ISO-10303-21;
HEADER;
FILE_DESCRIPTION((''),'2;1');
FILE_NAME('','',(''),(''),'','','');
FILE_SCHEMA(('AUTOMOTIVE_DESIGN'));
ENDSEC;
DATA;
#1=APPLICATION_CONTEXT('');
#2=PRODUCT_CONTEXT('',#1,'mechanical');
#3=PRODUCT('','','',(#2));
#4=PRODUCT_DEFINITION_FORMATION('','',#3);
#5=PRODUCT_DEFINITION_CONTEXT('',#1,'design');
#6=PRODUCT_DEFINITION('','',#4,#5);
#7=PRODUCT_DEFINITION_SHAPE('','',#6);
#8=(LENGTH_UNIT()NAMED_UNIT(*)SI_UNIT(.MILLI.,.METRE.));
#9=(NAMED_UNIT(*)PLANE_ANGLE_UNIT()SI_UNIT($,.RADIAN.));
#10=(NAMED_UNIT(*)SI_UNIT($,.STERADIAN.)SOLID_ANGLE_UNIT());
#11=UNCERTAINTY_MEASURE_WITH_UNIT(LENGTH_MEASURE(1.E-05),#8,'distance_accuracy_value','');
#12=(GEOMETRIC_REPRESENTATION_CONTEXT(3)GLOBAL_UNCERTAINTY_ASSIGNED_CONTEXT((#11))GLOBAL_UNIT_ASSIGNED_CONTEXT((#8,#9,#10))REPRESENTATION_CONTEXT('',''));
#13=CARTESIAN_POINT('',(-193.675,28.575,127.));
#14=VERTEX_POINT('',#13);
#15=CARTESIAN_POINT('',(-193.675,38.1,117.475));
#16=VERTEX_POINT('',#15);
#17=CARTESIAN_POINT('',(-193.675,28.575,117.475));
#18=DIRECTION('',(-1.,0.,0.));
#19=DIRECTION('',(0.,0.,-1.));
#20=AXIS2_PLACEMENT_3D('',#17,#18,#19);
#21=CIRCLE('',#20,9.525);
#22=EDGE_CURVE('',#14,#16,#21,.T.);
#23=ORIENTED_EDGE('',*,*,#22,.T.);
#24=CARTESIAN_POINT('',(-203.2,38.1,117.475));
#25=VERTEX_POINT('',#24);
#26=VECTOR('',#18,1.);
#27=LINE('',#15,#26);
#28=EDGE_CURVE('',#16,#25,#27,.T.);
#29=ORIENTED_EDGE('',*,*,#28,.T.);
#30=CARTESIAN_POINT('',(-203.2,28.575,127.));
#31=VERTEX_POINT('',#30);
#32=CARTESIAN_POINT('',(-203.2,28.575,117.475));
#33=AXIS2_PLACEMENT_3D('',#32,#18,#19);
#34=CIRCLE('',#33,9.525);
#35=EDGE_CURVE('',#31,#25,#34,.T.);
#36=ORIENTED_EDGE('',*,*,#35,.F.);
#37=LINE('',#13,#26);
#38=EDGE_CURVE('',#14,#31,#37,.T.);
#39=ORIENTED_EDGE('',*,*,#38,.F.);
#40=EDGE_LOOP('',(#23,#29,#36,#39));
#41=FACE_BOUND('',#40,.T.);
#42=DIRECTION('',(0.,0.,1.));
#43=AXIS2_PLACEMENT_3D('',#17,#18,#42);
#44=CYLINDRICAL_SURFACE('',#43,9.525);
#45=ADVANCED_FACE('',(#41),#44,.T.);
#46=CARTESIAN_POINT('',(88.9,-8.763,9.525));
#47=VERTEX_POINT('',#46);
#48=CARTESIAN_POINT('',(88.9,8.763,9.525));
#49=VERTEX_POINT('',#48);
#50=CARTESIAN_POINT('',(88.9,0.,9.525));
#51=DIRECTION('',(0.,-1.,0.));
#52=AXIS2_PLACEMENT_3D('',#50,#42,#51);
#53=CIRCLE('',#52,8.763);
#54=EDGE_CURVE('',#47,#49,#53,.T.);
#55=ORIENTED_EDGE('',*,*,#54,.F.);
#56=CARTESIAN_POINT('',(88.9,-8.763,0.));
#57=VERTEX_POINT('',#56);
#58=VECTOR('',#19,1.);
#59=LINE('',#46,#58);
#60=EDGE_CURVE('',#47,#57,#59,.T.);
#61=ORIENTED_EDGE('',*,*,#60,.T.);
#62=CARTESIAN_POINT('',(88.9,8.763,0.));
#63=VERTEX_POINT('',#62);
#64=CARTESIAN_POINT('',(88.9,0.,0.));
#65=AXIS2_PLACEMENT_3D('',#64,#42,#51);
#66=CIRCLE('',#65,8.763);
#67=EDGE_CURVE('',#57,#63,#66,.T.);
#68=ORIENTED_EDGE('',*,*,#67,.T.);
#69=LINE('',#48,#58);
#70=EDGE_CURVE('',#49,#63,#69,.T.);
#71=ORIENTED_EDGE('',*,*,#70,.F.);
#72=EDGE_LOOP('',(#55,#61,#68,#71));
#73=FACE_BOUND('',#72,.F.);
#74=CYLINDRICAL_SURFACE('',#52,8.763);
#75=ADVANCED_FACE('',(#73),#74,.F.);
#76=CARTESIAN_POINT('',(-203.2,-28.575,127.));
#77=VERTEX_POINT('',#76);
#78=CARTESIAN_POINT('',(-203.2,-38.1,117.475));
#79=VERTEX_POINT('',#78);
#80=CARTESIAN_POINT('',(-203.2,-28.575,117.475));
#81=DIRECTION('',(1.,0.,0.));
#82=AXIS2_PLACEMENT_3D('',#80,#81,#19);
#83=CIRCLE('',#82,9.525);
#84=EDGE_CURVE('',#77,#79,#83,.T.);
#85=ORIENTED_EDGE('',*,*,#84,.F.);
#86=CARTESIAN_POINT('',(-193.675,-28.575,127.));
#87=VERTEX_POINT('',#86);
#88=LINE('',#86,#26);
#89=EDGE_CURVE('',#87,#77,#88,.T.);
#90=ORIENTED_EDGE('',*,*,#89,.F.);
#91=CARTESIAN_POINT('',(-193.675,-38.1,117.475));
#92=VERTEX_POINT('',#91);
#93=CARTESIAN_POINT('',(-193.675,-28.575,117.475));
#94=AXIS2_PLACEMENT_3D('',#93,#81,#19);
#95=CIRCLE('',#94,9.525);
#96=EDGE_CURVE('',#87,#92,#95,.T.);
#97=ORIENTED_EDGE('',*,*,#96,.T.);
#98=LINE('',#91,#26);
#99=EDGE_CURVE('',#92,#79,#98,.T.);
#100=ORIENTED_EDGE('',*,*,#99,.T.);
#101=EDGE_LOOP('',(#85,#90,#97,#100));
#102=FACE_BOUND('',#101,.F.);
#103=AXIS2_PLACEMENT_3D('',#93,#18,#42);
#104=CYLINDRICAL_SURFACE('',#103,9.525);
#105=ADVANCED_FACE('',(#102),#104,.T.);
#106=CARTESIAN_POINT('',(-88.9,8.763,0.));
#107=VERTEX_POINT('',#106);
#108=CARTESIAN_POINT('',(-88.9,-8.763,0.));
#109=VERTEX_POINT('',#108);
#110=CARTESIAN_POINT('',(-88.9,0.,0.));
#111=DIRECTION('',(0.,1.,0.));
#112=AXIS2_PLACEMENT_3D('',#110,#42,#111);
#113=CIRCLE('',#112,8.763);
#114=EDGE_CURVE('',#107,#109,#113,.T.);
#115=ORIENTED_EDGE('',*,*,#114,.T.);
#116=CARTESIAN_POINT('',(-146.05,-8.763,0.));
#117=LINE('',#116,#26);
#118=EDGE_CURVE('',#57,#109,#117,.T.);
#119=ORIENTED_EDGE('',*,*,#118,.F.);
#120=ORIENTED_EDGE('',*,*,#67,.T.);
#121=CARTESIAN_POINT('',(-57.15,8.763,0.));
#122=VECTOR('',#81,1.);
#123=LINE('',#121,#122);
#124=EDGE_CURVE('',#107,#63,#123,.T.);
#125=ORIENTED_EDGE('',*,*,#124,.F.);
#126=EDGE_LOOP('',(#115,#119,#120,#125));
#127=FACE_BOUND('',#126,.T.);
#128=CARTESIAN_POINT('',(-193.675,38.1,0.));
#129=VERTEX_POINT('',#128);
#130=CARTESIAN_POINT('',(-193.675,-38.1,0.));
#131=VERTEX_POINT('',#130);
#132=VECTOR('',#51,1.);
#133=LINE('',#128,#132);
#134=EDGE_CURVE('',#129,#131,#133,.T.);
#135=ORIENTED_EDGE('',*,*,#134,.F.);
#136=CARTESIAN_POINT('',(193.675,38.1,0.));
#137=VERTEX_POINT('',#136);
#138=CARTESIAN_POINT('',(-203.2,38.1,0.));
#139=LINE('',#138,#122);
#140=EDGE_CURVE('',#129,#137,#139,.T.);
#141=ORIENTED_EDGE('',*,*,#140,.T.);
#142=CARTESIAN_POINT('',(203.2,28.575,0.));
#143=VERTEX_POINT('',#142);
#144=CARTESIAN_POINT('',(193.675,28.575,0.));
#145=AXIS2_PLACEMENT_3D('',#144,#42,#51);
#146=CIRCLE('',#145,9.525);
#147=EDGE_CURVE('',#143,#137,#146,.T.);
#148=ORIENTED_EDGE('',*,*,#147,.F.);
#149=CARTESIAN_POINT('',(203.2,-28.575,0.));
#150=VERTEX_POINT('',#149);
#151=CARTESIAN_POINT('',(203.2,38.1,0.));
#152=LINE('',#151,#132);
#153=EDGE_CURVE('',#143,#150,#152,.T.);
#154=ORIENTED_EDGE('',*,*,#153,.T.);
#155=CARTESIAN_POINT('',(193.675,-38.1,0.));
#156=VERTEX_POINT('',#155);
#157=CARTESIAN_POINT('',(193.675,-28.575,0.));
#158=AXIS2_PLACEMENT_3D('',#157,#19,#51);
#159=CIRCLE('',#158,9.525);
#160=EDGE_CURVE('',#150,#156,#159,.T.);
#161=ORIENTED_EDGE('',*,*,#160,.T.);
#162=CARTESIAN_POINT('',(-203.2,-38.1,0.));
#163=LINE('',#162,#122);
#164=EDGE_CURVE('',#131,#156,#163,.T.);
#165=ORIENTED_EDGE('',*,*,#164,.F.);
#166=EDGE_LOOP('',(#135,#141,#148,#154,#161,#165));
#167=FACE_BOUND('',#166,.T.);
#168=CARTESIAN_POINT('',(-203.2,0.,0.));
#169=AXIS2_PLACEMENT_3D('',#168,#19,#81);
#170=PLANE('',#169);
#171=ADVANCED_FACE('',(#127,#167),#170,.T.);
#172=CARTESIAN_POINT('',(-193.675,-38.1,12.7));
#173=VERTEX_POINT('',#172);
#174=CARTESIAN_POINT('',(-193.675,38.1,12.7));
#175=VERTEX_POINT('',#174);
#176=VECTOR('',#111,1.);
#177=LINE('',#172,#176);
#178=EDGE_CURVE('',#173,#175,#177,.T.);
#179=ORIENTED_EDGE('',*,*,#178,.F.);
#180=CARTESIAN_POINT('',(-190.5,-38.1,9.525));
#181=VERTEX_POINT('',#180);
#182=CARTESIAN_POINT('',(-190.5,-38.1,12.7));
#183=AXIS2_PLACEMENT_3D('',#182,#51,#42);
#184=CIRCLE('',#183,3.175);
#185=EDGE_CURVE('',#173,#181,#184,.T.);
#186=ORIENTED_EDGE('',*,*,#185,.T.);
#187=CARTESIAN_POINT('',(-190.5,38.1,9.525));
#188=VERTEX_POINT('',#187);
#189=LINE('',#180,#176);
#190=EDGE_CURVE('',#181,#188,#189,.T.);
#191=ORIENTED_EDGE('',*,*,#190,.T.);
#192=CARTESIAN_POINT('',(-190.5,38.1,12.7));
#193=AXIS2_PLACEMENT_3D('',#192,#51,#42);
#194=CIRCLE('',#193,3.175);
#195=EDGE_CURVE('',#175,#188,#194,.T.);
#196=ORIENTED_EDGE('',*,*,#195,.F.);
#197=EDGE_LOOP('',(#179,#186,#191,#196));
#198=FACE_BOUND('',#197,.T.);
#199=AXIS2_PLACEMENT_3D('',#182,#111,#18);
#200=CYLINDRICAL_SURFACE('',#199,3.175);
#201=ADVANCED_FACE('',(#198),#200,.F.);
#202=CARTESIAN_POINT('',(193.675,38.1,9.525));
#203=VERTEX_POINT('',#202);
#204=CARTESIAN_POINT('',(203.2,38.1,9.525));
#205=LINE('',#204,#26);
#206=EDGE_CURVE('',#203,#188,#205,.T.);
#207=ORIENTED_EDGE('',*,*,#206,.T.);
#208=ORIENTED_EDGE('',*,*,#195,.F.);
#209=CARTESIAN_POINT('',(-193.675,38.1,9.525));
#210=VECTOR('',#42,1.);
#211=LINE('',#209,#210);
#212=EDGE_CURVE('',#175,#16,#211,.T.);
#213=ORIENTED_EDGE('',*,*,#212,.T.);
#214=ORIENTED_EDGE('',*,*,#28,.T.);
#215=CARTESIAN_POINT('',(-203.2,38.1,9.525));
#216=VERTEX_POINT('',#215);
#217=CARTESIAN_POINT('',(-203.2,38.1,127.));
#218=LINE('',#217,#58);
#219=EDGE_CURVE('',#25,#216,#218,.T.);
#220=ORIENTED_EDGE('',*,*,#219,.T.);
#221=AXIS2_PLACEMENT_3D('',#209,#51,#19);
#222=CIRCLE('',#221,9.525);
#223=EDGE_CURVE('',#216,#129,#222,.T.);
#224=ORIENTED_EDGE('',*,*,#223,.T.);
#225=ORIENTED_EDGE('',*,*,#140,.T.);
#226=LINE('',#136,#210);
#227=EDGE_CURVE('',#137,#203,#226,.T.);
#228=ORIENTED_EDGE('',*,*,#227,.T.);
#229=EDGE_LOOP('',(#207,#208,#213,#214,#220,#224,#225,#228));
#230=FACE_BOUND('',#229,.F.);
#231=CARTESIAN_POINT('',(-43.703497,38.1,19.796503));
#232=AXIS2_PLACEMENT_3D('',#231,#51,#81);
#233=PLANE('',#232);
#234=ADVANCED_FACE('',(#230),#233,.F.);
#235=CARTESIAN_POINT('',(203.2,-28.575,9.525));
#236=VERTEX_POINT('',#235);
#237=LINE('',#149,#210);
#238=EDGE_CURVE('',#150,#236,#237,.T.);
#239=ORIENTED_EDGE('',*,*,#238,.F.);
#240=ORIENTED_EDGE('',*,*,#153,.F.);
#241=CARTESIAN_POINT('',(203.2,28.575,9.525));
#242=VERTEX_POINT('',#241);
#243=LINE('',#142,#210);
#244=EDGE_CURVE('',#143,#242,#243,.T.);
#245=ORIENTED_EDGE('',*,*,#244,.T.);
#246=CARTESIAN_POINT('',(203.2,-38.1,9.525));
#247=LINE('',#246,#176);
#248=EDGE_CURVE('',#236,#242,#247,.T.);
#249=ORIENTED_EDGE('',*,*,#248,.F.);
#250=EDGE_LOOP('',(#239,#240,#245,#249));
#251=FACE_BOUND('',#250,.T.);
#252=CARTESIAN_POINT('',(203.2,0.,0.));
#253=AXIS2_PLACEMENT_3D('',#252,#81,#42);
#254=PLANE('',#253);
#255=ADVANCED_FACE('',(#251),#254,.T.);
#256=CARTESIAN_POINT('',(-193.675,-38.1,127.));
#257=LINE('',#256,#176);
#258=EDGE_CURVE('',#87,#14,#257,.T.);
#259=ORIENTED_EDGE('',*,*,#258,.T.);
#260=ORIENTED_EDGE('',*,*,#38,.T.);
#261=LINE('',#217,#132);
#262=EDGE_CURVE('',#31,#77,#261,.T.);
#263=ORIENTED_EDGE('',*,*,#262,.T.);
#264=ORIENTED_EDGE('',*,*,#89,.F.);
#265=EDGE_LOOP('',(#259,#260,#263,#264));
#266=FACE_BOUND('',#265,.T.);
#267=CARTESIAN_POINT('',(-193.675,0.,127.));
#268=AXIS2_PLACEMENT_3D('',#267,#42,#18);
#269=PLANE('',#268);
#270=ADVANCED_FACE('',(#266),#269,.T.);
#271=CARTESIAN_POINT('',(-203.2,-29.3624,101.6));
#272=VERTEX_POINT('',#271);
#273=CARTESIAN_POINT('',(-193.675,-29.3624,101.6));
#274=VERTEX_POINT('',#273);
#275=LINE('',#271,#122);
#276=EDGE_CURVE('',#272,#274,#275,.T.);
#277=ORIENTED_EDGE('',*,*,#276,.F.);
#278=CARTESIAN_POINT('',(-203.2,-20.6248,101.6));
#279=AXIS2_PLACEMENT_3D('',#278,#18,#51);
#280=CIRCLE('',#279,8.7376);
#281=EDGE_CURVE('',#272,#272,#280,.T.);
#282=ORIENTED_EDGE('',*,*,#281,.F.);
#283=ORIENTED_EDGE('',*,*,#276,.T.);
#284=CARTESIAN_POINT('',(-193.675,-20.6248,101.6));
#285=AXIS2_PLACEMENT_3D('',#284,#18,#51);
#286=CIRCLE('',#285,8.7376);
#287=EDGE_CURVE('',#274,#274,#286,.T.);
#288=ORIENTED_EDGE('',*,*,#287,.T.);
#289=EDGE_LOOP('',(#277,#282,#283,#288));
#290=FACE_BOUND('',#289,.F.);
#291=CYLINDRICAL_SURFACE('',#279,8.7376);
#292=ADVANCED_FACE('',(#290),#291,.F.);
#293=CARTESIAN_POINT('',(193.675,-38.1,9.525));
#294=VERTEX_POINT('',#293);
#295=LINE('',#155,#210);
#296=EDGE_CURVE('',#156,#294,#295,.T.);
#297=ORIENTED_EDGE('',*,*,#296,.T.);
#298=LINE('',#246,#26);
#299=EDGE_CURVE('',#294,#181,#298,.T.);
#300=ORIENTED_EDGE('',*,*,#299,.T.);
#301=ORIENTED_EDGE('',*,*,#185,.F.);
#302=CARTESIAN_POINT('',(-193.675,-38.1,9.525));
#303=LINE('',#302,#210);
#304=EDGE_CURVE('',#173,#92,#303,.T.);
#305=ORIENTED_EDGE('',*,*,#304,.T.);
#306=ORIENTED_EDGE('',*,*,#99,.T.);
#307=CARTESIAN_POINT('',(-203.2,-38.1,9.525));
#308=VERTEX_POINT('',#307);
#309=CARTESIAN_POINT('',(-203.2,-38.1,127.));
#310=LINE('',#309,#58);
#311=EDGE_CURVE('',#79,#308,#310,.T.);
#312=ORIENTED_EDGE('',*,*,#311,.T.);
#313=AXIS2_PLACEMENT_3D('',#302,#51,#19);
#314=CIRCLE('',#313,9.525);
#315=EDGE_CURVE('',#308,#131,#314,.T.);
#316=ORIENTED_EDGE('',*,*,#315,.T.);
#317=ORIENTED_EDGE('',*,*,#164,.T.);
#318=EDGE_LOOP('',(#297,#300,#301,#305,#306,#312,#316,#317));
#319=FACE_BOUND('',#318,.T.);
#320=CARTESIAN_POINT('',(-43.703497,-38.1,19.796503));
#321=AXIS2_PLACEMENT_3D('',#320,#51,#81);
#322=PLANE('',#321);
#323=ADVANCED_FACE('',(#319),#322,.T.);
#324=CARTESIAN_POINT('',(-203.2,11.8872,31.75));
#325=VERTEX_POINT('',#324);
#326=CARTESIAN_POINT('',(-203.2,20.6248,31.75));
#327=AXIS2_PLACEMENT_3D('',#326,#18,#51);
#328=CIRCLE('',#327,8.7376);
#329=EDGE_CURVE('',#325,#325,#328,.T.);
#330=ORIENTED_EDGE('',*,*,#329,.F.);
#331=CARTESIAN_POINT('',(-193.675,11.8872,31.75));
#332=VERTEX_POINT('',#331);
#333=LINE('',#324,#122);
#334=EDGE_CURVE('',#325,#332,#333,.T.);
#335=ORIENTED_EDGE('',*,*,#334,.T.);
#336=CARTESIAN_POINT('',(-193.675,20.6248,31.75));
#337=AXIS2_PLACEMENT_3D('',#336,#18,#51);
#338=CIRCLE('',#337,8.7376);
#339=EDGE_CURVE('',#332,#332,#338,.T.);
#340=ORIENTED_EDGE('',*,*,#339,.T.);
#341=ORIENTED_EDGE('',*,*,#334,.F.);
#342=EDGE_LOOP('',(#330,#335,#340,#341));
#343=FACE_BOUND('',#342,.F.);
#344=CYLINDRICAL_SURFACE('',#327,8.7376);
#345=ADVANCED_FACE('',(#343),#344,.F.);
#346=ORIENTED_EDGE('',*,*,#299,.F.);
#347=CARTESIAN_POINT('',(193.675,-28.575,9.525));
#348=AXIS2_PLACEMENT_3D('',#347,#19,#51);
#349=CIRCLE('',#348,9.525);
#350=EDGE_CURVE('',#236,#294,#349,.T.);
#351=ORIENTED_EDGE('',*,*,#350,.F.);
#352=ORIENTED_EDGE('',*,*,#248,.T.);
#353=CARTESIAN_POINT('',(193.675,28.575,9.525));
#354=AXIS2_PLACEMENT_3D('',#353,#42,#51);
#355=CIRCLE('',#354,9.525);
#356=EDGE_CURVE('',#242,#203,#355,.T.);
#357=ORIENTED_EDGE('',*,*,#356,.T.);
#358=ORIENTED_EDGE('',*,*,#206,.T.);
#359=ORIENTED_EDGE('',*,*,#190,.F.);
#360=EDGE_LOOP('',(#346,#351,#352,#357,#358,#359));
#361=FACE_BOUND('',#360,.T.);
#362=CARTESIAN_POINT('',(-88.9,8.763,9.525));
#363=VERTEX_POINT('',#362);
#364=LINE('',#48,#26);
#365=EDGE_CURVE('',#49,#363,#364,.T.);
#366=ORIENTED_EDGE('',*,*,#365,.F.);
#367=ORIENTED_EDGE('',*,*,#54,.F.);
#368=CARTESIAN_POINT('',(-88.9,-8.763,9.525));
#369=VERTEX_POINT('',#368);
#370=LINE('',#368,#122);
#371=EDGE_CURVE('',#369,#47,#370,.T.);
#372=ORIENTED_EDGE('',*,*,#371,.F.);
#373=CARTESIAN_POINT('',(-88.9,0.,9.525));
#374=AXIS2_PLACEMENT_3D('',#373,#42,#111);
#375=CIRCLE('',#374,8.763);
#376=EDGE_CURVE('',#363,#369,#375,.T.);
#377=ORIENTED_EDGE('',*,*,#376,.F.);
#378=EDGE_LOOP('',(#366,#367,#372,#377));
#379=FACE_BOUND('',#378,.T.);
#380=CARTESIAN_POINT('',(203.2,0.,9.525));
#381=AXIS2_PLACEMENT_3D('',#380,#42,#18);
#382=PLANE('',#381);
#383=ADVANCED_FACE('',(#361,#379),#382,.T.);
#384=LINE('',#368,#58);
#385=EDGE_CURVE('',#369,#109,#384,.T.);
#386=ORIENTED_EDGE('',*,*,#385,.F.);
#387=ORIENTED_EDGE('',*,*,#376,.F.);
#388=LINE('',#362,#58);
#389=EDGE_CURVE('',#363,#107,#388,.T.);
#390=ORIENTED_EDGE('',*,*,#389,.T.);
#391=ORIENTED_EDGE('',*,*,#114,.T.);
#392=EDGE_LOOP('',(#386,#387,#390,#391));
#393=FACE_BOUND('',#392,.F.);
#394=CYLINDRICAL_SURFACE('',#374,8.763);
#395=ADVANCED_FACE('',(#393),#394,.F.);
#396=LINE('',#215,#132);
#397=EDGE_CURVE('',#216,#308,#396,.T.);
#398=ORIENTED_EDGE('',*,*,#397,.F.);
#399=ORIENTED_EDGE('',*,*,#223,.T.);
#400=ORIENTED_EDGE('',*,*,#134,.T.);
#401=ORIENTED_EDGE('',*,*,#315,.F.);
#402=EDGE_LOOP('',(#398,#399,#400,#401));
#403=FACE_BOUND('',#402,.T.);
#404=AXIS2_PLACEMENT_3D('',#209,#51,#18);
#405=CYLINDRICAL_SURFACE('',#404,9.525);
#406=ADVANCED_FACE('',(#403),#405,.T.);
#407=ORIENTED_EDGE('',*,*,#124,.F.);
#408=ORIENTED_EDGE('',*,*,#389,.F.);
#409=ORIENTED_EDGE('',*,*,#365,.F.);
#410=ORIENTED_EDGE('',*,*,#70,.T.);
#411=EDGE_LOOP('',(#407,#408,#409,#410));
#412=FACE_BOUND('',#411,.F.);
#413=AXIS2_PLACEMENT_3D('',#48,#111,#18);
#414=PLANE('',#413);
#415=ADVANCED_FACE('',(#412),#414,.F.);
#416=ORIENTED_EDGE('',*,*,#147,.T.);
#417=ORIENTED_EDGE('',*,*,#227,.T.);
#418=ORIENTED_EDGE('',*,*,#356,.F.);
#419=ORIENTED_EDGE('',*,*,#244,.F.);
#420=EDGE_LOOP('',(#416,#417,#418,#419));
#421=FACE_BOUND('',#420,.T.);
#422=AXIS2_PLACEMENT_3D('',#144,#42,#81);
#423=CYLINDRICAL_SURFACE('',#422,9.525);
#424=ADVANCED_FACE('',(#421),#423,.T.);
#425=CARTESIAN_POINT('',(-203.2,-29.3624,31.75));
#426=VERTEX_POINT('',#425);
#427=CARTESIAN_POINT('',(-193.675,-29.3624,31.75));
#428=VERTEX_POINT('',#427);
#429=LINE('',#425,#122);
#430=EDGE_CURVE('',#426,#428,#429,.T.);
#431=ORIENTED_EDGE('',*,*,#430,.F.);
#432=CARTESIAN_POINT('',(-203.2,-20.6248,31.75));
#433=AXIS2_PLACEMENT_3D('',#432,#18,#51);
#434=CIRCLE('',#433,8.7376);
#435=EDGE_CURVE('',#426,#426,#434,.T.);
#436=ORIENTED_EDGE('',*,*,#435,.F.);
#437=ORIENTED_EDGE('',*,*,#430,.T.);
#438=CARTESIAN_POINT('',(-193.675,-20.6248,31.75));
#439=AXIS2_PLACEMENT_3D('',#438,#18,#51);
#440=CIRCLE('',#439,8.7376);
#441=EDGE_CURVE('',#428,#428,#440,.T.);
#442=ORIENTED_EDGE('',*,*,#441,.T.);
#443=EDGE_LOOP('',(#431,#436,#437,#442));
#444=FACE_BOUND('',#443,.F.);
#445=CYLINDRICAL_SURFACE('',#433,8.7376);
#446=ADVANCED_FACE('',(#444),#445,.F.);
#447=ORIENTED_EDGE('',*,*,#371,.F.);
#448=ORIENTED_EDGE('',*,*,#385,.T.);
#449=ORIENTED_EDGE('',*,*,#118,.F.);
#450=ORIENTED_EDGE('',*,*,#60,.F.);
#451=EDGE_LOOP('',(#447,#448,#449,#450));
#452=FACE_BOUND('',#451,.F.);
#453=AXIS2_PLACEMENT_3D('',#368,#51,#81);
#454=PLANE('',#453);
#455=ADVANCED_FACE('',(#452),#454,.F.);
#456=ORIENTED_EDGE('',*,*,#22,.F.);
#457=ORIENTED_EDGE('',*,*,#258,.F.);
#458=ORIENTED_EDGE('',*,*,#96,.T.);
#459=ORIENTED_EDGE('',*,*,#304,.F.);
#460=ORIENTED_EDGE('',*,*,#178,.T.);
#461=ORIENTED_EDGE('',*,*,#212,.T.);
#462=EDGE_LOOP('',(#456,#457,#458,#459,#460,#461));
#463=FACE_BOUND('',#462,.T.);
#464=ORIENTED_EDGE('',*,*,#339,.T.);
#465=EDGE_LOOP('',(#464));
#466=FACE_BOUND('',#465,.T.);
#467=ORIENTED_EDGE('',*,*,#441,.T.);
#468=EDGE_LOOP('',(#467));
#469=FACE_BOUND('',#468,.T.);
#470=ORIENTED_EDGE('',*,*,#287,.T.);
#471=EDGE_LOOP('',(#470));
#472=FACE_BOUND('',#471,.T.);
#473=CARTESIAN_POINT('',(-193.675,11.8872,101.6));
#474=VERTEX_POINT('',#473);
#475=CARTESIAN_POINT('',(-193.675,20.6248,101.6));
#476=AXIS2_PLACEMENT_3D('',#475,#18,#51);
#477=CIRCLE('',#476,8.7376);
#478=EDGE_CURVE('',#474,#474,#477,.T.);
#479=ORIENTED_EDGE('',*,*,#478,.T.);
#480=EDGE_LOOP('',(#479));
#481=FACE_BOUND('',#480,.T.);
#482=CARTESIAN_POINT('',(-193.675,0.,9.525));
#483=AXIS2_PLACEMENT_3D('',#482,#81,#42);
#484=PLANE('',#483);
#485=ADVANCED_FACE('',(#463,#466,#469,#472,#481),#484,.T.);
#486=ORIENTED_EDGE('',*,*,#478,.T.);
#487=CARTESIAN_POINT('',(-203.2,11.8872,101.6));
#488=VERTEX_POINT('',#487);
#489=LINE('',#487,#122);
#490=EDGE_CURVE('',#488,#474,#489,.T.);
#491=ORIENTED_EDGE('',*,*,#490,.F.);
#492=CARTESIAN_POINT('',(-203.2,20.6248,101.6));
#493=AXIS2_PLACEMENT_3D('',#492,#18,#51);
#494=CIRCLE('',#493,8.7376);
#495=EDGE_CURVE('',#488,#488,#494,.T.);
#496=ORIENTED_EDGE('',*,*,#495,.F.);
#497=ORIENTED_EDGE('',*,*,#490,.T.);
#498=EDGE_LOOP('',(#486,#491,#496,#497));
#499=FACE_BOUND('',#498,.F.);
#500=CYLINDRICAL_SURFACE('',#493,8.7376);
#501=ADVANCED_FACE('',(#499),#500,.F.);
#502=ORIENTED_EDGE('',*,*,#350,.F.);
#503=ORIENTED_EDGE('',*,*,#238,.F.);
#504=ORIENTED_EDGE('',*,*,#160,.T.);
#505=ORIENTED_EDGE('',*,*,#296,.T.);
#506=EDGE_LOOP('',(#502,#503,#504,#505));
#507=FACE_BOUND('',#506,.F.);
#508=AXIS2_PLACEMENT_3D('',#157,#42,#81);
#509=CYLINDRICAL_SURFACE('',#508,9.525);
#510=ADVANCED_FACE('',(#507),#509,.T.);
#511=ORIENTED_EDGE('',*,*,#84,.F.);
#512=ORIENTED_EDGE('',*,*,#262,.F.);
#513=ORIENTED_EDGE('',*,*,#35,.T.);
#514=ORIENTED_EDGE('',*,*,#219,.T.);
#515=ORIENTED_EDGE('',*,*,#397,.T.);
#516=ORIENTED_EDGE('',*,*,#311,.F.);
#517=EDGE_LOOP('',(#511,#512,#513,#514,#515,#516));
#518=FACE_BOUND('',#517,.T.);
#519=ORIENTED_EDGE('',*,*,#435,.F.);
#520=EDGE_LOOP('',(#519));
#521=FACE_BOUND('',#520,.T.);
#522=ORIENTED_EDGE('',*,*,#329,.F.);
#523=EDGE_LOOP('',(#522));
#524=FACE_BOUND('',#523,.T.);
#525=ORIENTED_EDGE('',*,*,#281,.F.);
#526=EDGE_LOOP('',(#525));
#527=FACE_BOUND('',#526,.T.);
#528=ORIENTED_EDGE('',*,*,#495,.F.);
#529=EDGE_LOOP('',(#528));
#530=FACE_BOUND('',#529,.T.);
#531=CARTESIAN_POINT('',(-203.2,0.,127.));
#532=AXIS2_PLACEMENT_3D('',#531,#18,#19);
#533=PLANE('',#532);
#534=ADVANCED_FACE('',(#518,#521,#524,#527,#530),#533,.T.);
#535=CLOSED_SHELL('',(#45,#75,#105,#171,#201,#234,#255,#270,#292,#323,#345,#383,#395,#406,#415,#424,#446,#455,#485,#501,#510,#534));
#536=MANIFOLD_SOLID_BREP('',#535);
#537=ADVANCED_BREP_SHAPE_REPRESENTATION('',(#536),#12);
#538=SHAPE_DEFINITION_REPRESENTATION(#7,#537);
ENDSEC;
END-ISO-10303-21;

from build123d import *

# Parameters (mm, degrees)
F1_DEPTH = 38.1
F2_R     = 9.525
F3_R     = 3.175
F4_R     = 9.525
F5_R     = 8.7376
F6_DEPTH = 25.4
F8_DEPTH = 25.4


with BuildPart() as f1:
    # F0 (on Front) → F1 (new body, symmetric)
    with BuildSketch(Plane.XZ):
        Polygon((-193.675, 127), (-203.2, 127), (-203.2, 0), (203.2, 0), (203.2, 9.525), (-193.675, 9.525), align=None)
    extrude(amount=F1_DEPTH, both=True)

    # F2
    f2_edges = [f1.edges().sort_by_distance(p)[0] for p in [
        (-198.4375, -38.1, 127),
        (-198.4375, 38.1, 127),
        (203.2, -38.1, 4.7625),
        (203.2, 38.1, 4.7625),
    ]]
    fillet(f2_edges, radius=F2_R)

    # F3
    f3_edges = [f1.edges().sort_by_distance(p)[0] for p in [
        (-193.675, 0, 9.525),
    ]]
    fillet(f3_edges, radius=F3_R)

    # F4
    f4_edges = [f1.edges().sort_by_distance(p)[0] for p in [
        (-203.2, 0, 0),
    ]]
    fillet(f4_edges, radius=F4_R)

    # F5 (on face) → F6 (cut)
    with BuildSketch(Plane(origin=(-203.2, 0, 0), x_dir=(0, -1, 0), z_dir=(-1, 0, 0))):
        with Locations((20.6248, 101.6)):
            Circle(F5_R)
        with Locations((-20.6248, 31.75)):
            Circle(F5_R)
        with Locations((20.6248, 31.75)):
            Circle(F5_R)
        with Locations((-20.6248, 101.6)):
            Circle(F5_R)
    extrude(amount=-F6_DEPTH, mode=Mode.SUBTRACT)

    # F7 (on face) → F8 (cut)
    with BuildSketch(Plane.XY.offset(9.525)):
        with BuildLine():
            ThreePointArc((-88.9, 8.763), (-97.663, 0), (-88.9, -8.763))
            Line((-88.9, -8.763), (88.9, -8.763))
            ThreePointArc((88.9, -8.763), (97.663, 0), (88.9, 8.763))
            Line((88.9, 8.763), (-88.9, 8.763))
        make_face()
    extrude(amount=-F8_DEPTH, mode=Mode.SUBTRACT)


solid = f1.part
